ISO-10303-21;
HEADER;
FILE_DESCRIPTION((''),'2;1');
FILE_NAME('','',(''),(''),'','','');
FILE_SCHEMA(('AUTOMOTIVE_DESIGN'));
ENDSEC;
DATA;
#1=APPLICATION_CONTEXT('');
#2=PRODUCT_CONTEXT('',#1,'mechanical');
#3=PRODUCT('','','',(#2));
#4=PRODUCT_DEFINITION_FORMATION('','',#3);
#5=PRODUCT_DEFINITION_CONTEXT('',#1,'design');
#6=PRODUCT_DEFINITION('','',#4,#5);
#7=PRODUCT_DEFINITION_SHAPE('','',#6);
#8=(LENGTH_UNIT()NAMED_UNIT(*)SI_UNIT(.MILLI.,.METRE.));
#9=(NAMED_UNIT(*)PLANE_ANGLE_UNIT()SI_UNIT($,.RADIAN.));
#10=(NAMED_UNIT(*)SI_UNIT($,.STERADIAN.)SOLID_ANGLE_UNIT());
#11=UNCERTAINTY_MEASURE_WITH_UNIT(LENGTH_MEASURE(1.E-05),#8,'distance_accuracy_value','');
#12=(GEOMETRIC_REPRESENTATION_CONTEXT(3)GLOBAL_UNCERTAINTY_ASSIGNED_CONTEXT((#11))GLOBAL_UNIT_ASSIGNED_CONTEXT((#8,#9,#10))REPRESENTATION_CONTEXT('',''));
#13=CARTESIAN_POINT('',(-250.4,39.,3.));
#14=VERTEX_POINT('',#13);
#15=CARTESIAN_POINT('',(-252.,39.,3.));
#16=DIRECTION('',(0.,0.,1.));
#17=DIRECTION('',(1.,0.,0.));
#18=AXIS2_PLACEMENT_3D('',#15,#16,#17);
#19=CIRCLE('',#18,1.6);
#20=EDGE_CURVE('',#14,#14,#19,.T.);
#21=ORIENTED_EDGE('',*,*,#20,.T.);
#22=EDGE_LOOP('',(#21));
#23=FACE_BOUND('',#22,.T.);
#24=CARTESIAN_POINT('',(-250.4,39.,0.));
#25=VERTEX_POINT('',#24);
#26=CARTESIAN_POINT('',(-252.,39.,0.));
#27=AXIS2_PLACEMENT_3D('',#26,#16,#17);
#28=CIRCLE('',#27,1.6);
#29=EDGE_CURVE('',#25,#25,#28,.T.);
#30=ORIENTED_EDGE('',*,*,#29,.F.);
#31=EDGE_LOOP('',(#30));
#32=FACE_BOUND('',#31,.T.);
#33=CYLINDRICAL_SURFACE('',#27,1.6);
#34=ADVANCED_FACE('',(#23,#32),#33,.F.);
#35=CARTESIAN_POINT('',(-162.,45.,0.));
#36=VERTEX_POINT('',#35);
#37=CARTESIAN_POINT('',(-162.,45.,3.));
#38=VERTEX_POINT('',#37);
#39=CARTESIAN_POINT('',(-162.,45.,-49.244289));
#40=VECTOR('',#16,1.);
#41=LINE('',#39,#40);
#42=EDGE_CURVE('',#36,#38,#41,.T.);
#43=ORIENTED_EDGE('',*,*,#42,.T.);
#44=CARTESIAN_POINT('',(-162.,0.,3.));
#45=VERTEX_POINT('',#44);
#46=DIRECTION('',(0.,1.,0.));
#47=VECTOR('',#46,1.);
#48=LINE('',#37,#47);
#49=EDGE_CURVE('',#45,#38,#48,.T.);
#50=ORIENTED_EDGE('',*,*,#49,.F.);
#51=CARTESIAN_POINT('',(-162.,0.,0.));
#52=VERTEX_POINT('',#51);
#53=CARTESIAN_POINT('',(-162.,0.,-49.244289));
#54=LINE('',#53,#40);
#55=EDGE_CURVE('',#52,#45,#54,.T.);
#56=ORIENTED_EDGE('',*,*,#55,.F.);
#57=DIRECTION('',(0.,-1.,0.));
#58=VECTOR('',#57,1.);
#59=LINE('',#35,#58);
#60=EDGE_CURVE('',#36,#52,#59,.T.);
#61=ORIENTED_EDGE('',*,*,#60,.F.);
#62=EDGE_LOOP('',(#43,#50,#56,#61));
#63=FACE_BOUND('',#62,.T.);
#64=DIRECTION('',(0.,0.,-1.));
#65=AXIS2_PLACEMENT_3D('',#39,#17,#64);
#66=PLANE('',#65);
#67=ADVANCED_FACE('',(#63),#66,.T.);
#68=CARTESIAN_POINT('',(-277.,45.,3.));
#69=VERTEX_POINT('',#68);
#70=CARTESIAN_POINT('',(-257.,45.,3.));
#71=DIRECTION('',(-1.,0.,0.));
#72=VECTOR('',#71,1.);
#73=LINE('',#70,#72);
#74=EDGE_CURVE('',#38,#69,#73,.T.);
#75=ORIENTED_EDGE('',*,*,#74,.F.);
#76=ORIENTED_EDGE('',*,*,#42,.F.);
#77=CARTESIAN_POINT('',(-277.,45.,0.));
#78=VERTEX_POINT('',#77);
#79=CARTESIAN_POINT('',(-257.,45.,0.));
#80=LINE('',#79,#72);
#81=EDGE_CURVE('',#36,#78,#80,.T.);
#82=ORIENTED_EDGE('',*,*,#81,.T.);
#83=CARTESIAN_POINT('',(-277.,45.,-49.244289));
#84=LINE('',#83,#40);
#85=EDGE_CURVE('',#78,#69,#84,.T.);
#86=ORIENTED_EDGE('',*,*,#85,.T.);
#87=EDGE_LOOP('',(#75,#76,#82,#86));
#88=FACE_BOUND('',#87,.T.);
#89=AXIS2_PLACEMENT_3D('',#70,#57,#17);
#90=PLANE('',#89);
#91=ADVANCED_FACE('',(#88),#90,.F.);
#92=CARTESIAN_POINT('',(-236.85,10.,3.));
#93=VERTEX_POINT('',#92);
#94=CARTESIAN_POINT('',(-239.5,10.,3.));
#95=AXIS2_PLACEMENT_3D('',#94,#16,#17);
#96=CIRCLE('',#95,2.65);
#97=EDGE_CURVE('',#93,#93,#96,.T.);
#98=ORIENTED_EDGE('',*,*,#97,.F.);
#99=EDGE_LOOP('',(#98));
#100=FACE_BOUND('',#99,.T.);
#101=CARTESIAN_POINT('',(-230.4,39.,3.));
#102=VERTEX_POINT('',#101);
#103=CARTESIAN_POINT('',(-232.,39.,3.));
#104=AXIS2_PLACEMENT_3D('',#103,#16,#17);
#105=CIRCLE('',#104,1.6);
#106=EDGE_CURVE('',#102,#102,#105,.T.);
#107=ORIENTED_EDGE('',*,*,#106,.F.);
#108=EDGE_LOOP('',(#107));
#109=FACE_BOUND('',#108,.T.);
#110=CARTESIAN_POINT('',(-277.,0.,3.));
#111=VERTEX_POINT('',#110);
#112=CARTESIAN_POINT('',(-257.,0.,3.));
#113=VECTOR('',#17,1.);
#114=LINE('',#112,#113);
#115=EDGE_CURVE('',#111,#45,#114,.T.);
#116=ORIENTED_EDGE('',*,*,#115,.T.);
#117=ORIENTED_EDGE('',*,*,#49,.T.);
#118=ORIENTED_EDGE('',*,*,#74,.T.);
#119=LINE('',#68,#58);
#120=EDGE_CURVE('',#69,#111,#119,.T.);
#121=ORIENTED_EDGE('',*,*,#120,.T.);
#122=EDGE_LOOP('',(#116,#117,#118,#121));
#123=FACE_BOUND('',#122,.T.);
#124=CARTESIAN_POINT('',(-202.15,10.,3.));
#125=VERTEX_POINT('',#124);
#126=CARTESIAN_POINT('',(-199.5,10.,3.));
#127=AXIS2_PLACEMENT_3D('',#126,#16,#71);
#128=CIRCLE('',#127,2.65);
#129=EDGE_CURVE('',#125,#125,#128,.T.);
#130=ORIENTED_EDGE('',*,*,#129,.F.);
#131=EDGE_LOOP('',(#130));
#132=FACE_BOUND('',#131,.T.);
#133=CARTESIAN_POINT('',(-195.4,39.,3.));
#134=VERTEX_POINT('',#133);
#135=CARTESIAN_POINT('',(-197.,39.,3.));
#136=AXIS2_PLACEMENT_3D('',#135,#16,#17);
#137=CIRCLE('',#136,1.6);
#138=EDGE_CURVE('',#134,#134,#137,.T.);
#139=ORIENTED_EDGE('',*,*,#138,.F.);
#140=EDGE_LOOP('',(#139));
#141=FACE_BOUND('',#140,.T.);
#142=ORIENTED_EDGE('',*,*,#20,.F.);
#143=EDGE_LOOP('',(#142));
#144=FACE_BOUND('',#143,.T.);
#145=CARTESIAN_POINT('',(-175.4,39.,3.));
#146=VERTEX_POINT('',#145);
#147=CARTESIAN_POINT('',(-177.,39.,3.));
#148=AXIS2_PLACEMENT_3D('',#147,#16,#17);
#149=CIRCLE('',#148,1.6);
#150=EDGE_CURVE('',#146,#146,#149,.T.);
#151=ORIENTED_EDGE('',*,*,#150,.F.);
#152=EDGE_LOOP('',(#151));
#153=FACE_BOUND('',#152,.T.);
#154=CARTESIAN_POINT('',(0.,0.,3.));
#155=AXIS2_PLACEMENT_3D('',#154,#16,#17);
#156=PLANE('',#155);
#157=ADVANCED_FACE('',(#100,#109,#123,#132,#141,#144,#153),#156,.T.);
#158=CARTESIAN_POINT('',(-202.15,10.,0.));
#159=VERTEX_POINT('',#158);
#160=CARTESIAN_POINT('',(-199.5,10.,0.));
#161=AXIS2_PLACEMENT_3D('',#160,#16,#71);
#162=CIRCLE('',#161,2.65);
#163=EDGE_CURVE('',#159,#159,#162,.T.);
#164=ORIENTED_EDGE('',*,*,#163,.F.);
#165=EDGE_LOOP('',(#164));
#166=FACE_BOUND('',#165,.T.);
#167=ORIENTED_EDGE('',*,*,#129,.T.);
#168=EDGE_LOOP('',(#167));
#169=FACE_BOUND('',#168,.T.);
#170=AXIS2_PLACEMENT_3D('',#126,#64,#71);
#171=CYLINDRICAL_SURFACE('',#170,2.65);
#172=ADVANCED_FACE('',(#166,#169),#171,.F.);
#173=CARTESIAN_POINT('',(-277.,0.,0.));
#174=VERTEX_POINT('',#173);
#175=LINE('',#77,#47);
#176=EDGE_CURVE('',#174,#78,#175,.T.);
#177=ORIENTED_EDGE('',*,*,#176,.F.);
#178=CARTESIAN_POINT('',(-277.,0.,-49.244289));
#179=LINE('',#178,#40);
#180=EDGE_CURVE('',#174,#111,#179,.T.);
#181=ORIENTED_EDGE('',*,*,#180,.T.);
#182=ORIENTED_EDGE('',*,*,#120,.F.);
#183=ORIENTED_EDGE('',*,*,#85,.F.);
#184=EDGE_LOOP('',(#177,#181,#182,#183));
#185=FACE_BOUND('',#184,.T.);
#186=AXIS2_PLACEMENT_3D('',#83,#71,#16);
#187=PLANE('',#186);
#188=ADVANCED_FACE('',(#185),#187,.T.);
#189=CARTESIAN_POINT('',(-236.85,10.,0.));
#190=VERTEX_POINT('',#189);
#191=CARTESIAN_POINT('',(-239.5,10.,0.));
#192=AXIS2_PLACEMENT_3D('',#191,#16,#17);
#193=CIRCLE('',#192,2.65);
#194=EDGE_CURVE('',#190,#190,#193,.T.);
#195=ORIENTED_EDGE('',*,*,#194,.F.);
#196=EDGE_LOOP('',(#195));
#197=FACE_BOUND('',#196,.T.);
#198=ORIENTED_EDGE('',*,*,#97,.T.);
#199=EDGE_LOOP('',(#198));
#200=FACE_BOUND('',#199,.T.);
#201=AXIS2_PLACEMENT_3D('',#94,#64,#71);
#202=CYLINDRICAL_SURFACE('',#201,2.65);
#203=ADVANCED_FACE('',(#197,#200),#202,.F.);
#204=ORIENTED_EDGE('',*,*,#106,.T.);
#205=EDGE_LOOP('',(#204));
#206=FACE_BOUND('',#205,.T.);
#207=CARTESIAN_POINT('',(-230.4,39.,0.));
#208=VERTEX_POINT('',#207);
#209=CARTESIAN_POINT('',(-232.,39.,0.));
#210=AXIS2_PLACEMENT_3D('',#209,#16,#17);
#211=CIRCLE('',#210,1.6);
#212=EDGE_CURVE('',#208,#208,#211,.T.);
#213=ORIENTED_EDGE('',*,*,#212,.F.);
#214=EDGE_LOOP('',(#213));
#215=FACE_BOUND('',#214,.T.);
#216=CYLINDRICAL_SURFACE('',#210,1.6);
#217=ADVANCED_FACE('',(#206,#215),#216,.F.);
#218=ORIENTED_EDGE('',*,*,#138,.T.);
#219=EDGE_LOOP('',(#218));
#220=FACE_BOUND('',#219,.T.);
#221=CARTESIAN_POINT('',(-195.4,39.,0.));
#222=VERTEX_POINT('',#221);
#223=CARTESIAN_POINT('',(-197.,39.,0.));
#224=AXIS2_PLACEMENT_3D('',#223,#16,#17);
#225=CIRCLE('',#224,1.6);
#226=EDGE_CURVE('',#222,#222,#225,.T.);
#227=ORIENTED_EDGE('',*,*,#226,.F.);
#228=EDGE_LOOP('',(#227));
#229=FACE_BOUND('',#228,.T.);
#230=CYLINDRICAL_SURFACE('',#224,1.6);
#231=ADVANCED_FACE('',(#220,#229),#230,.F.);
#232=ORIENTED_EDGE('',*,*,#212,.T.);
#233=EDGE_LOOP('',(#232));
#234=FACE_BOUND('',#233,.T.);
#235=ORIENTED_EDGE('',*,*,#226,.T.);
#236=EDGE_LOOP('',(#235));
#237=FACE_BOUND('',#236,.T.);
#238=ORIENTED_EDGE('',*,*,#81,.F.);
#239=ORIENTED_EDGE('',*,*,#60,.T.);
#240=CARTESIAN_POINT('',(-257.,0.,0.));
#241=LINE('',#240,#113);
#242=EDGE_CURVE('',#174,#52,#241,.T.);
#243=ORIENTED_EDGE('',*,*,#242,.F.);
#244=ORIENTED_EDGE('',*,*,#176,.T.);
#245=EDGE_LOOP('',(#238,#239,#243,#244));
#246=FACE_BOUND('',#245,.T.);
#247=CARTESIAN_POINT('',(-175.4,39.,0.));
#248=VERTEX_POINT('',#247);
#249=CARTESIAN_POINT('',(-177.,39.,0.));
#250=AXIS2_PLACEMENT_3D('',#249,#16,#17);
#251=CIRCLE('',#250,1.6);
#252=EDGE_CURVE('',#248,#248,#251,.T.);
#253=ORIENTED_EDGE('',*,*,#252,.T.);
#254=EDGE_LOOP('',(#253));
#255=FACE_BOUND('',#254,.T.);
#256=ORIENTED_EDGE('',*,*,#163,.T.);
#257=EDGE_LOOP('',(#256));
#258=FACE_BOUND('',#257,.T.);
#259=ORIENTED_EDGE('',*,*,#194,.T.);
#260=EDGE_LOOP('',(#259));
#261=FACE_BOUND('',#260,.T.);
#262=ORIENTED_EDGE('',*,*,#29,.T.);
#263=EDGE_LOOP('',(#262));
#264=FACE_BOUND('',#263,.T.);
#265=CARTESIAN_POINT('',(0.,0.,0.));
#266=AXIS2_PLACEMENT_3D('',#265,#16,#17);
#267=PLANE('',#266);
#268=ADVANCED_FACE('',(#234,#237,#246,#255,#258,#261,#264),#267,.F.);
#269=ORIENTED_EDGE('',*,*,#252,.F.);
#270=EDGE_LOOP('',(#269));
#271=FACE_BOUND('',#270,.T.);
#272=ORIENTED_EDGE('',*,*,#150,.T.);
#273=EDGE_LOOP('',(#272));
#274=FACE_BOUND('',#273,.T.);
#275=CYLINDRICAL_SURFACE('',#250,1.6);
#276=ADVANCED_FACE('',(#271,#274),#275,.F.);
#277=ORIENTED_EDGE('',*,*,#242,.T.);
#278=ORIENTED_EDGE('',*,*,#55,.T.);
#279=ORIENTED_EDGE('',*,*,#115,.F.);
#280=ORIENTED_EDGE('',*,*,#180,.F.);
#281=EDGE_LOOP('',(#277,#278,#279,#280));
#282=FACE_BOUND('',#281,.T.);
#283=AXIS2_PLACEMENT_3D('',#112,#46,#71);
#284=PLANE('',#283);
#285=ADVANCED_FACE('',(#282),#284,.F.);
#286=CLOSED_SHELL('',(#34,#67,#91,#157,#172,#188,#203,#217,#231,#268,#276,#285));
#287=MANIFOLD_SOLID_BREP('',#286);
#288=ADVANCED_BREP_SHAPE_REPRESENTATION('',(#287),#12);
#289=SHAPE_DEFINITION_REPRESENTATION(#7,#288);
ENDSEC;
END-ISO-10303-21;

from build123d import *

# Parameters (mm, degrees)
SKETCH_1_W          = 75
SKETCH_1_H          = 45
SKETCH_1_R          = 2.65
EXTRUDE_1_DEPTH     = 3
SKETCH_2_W          = 20
SKETCH_2_H          = 45
EXTRUDE_2_DEPTH     = 3
SKETCH_3_R          = 1.6
CUT_EXTRUDE_1_DEPTH = 3
SKETCH_4_W          = 20
SKETCH_4_H          = 45
EXTRUDE_3_DEPTH     = 3


with BuildPart() as part:
    # 草图1 → 凸台-拉伸1 (new body)
    with BuildSketch(Plane.XY):
        with Locations((-219.5, 22.5)):
            Rectangle(SKETCH_1_W, SKETCH_1_H)
        with Locations((-239.5, 10)):
            Circle(SKETCH_1_R, mode=Mode.SUBTRACT)
        with Locations(Location((-199.5, 10, 0), (0, 0, 180))):
            Circle(SKETCH_1_R, mode=Mode.SUBTRACT)
    extrude(amount=EXTRUDE_1_DEPTH)

    # 草图2 → 凸台-拉伸2 (add)
    with BuildSketch(Plane.XY.offset(3)):
        with Locations((-172, 22.5)):
            Rectangle(SKETCH_2_W, SKETCH_2_H)
    extrude(amount=-EXTRUDE_2_DEPTH)

    # 草图3 → 切除-拉伸1 (cut)
    with BuildSketch(Plane.XY.offset(3)):
        with Locations((-197, 39)):
            Circle(SKETCH_3_R)
        with Locations((-177, 39)):
            Circle(SKETCH_3_R)
        with Locations((-232, 39)):
            Circle(SKETCH_3_R)
        with Locations((-252, 39)):
            Circle(SKETCH_3_R)
    extrude(amount=-CUT_EXTRUDE_1_DEPTH, mode=Mode.SUBTRACT)

    # 草图4 → 凸台-拉伸3 (add)
    with BuildSketch(Plane.XY.offset(3)):
        with Locations((-267, 22.5)):
            Rectangle(SKETCH_4_W, SKETCH_4_H)
    extrude(amount=-EXTRUDE_3_DEPTH)


solid = part.part
